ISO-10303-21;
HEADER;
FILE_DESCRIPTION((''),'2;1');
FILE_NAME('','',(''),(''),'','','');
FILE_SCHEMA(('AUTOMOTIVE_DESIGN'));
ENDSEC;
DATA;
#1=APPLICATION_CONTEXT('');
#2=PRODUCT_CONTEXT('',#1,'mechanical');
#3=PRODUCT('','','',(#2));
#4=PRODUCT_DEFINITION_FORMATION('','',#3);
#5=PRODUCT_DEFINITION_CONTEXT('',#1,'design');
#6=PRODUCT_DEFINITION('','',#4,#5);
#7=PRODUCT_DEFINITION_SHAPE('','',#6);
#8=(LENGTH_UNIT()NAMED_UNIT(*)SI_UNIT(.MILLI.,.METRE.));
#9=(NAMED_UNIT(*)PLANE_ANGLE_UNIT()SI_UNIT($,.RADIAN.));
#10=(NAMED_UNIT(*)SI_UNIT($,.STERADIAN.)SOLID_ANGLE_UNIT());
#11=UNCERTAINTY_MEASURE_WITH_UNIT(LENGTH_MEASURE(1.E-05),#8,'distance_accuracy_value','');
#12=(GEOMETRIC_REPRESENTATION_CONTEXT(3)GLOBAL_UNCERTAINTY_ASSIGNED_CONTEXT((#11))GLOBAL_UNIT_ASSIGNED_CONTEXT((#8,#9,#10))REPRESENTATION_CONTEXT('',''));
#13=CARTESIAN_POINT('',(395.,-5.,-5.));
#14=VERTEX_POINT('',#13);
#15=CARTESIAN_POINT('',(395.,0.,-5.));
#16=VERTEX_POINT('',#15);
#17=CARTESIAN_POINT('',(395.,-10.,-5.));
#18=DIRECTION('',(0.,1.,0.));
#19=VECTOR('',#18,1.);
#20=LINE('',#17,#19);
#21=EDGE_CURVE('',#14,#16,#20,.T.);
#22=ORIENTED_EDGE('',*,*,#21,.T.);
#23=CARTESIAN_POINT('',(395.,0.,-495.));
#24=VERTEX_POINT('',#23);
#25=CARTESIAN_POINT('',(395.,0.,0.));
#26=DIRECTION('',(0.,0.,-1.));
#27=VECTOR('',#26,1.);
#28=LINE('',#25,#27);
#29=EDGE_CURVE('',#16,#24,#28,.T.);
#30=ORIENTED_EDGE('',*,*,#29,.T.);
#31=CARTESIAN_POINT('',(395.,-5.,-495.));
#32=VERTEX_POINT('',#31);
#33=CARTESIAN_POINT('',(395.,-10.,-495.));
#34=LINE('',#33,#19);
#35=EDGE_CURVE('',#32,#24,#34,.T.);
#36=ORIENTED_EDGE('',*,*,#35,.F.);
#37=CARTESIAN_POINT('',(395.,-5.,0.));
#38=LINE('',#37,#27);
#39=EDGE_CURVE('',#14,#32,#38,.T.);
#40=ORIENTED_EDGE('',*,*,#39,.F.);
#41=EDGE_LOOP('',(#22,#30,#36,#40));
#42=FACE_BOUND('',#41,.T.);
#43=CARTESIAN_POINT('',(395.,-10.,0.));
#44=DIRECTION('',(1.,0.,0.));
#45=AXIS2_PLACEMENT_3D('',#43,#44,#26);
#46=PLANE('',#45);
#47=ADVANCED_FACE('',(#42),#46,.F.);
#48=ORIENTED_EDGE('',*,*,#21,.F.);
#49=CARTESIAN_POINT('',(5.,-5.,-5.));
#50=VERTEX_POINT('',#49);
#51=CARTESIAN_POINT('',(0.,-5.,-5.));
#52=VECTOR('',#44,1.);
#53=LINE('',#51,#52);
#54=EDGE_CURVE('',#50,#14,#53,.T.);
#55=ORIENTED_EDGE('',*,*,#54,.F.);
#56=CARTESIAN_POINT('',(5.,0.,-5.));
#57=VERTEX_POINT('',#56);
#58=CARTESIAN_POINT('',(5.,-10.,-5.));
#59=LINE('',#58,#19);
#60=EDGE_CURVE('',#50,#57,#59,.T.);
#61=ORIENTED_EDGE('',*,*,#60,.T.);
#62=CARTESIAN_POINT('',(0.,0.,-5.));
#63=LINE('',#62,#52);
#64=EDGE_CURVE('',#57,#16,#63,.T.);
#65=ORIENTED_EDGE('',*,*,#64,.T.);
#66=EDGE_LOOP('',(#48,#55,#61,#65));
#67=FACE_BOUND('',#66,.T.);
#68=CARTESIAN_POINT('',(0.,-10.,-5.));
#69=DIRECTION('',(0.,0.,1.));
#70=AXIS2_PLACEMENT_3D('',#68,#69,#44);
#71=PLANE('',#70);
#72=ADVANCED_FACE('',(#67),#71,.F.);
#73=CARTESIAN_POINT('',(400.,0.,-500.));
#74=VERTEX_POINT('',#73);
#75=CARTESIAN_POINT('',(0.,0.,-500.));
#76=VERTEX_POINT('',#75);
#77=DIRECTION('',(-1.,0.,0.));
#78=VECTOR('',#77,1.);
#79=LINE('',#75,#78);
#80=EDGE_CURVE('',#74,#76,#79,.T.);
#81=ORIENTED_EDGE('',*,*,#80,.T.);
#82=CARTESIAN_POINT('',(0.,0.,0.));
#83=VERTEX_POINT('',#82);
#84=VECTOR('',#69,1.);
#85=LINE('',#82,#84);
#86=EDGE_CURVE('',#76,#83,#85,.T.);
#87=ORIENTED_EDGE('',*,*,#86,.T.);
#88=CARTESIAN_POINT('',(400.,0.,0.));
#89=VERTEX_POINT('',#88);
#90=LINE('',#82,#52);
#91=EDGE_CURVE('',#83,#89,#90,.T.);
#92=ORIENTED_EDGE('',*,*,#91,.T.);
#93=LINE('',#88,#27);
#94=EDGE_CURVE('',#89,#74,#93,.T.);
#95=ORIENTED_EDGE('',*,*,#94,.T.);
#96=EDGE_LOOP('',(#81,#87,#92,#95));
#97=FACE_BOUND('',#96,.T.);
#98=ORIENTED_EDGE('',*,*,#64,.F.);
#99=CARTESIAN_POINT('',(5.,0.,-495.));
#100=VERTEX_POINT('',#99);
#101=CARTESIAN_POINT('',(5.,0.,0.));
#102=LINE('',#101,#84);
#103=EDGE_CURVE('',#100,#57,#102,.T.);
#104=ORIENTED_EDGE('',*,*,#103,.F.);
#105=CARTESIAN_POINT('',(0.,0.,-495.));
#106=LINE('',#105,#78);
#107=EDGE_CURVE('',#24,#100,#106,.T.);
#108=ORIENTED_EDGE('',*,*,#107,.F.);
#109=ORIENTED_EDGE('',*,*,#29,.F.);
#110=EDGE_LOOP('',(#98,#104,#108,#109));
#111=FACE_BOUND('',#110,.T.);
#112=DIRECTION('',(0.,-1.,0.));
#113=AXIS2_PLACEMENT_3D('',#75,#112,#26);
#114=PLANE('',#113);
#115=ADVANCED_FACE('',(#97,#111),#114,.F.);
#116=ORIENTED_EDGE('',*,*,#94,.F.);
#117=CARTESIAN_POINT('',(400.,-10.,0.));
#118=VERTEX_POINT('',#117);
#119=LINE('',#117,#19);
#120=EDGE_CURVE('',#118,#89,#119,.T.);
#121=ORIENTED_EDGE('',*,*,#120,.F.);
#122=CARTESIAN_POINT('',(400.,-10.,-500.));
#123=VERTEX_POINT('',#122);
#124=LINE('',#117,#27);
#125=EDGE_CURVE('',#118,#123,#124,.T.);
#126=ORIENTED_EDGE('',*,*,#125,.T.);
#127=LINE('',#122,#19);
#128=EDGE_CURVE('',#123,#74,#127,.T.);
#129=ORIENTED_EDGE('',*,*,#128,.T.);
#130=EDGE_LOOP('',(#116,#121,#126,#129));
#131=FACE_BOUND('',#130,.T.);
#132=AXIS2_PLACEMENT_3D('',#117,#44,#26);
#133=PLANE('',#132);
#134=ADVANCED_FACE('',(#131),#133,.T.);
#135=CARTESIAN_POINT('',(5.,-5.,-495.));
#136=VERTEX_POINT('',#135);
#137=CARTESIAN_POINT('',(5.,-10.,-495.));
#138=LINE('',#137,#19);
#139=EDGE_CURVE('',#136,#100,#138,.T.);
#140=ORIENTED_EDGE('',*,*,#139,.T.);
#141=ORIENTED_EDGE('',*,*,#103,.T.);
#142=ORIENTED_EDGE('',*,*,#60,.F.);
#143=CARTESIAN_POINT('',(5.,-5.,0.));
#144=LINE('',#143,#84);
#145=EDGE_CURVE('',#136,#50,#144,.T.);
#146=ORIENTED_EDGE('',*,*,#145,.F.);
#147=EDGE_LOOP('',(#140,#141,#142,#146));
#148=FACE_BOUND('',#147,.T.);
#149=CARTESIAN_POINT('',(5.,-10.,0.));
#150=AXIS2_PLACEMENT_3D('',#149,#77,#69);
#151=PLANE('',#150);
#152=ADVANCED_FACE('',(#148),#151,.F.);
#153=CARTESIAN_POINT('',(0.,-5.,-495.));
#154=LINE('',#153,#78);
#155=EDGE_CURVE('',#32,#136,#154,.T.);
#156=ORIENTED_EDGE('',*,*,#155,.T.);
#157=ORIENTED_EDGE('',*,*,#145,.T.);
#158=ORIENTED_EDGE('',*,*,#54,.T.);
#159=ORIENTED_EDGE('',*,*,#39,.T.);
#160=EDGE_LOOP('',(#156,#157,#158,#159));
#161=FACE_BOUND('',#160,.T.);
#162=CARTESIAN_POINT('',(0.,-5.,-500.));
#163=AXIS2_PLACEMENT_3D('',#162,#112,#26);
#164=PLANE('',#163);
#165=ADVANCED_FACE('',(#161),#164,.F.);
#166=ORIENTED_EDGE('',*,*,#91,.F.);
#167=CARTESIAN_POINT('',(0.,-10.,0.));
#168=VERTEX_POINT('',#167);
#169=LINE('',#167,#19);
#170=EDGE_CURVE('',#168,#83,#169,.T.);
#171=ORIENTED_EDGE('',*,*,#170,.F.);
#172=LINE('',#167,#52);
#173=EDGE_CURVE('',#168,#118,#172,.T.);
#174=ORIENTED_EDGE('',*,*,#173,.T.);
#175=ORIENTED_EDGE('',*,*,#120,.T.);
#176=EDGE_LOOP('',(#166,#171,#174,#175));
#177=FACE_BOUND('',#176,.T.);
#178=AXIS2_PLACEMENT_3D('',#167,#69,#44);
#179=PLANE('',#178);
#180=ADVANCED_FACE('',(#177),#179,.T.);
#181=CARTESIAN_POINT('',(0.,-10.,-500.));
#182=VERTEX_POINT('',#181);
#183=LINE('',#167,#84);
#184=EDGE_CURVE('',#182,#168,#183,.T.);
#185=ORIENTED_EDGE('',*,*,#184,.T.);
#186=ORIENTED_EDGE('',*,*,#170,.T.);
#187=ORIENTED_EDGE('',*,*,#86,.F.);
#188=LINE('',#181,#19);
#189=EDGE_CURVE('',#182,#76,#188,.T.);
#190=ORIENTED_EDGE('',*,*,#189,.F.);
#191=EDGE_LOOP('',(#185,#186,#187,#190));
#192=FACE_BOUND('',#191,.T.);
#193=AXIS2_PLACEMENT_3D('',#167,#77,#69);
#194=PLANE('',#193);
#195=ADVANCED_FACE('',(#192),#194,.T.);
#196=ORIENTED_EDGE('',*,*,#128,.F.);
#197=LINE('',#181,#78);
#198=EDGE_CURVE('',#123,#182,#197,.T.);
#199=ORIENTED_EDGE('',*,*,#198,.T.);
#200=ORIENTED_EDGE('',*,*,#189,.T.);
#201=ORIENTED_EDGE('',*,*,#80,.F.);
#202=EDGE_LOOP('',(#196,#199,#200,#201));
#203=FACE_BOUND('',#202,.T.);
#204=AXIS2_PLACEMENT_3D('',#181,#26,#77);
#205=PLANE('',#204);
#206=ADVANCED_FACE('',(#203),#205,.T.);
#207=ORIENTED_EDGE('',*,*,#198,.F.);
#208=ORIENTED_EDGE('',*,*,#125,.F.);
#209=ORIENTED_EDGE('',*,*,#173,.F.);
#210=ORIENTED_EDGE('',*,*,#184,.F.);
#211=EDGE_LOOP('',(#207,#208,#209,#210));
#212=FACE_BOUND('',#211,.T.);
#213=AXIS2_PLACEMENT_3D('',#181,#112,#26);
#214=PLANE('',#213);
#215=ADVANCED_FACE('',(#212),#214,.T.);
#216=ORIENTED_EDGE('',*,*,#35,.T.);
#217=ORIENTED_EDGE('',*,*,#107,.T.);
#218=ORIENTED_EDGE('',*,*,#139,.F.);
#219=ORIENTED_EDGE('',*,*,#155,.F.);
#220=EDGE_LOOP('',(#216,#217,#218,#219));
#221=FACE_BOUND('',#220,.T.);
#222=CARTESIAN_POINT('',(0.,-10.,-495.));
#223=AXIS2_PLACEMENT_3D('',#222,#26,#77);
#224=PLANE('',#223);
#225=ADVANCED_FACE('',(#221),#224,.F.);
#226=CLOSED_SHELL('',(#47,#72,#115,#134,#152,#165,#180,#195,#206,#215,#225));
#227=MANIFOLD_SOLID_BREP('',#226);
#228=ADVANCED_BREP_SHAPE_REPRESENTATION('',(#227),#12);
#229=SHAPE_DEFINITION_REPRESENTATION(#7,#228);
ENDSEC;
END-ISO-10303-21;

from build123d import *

# Parameters (mm, degrees)
SKETCH1_W      = 400
SKETCH1_H      = 500
EXTRUDE1_DEPTH = 10
SHELL1_T       = -5


with BuildPart() as part:
    # Sketch1 → Extrude1 (new body)
    with BuildSketch(Plane(origin=(0, 0, 0), x_dir=(1, 0, 0), z_dir=(0, 1, 0))):
        with Locations((200, 250)):
            Rectangle(SKETCH1_W, SKETCH1_H)
    extrude(amount=-EXTRUDE1_DEPTH)

    # Shell1
    shell1_openings = [part.faces().sort_by_distance(p)[0] for p in [
        (200, 0, -250),
    ]]
    offset(amount=SHELL1_T, openings=shell1_openings, kind=Kind.INTERSECTION)


solid = part.part
